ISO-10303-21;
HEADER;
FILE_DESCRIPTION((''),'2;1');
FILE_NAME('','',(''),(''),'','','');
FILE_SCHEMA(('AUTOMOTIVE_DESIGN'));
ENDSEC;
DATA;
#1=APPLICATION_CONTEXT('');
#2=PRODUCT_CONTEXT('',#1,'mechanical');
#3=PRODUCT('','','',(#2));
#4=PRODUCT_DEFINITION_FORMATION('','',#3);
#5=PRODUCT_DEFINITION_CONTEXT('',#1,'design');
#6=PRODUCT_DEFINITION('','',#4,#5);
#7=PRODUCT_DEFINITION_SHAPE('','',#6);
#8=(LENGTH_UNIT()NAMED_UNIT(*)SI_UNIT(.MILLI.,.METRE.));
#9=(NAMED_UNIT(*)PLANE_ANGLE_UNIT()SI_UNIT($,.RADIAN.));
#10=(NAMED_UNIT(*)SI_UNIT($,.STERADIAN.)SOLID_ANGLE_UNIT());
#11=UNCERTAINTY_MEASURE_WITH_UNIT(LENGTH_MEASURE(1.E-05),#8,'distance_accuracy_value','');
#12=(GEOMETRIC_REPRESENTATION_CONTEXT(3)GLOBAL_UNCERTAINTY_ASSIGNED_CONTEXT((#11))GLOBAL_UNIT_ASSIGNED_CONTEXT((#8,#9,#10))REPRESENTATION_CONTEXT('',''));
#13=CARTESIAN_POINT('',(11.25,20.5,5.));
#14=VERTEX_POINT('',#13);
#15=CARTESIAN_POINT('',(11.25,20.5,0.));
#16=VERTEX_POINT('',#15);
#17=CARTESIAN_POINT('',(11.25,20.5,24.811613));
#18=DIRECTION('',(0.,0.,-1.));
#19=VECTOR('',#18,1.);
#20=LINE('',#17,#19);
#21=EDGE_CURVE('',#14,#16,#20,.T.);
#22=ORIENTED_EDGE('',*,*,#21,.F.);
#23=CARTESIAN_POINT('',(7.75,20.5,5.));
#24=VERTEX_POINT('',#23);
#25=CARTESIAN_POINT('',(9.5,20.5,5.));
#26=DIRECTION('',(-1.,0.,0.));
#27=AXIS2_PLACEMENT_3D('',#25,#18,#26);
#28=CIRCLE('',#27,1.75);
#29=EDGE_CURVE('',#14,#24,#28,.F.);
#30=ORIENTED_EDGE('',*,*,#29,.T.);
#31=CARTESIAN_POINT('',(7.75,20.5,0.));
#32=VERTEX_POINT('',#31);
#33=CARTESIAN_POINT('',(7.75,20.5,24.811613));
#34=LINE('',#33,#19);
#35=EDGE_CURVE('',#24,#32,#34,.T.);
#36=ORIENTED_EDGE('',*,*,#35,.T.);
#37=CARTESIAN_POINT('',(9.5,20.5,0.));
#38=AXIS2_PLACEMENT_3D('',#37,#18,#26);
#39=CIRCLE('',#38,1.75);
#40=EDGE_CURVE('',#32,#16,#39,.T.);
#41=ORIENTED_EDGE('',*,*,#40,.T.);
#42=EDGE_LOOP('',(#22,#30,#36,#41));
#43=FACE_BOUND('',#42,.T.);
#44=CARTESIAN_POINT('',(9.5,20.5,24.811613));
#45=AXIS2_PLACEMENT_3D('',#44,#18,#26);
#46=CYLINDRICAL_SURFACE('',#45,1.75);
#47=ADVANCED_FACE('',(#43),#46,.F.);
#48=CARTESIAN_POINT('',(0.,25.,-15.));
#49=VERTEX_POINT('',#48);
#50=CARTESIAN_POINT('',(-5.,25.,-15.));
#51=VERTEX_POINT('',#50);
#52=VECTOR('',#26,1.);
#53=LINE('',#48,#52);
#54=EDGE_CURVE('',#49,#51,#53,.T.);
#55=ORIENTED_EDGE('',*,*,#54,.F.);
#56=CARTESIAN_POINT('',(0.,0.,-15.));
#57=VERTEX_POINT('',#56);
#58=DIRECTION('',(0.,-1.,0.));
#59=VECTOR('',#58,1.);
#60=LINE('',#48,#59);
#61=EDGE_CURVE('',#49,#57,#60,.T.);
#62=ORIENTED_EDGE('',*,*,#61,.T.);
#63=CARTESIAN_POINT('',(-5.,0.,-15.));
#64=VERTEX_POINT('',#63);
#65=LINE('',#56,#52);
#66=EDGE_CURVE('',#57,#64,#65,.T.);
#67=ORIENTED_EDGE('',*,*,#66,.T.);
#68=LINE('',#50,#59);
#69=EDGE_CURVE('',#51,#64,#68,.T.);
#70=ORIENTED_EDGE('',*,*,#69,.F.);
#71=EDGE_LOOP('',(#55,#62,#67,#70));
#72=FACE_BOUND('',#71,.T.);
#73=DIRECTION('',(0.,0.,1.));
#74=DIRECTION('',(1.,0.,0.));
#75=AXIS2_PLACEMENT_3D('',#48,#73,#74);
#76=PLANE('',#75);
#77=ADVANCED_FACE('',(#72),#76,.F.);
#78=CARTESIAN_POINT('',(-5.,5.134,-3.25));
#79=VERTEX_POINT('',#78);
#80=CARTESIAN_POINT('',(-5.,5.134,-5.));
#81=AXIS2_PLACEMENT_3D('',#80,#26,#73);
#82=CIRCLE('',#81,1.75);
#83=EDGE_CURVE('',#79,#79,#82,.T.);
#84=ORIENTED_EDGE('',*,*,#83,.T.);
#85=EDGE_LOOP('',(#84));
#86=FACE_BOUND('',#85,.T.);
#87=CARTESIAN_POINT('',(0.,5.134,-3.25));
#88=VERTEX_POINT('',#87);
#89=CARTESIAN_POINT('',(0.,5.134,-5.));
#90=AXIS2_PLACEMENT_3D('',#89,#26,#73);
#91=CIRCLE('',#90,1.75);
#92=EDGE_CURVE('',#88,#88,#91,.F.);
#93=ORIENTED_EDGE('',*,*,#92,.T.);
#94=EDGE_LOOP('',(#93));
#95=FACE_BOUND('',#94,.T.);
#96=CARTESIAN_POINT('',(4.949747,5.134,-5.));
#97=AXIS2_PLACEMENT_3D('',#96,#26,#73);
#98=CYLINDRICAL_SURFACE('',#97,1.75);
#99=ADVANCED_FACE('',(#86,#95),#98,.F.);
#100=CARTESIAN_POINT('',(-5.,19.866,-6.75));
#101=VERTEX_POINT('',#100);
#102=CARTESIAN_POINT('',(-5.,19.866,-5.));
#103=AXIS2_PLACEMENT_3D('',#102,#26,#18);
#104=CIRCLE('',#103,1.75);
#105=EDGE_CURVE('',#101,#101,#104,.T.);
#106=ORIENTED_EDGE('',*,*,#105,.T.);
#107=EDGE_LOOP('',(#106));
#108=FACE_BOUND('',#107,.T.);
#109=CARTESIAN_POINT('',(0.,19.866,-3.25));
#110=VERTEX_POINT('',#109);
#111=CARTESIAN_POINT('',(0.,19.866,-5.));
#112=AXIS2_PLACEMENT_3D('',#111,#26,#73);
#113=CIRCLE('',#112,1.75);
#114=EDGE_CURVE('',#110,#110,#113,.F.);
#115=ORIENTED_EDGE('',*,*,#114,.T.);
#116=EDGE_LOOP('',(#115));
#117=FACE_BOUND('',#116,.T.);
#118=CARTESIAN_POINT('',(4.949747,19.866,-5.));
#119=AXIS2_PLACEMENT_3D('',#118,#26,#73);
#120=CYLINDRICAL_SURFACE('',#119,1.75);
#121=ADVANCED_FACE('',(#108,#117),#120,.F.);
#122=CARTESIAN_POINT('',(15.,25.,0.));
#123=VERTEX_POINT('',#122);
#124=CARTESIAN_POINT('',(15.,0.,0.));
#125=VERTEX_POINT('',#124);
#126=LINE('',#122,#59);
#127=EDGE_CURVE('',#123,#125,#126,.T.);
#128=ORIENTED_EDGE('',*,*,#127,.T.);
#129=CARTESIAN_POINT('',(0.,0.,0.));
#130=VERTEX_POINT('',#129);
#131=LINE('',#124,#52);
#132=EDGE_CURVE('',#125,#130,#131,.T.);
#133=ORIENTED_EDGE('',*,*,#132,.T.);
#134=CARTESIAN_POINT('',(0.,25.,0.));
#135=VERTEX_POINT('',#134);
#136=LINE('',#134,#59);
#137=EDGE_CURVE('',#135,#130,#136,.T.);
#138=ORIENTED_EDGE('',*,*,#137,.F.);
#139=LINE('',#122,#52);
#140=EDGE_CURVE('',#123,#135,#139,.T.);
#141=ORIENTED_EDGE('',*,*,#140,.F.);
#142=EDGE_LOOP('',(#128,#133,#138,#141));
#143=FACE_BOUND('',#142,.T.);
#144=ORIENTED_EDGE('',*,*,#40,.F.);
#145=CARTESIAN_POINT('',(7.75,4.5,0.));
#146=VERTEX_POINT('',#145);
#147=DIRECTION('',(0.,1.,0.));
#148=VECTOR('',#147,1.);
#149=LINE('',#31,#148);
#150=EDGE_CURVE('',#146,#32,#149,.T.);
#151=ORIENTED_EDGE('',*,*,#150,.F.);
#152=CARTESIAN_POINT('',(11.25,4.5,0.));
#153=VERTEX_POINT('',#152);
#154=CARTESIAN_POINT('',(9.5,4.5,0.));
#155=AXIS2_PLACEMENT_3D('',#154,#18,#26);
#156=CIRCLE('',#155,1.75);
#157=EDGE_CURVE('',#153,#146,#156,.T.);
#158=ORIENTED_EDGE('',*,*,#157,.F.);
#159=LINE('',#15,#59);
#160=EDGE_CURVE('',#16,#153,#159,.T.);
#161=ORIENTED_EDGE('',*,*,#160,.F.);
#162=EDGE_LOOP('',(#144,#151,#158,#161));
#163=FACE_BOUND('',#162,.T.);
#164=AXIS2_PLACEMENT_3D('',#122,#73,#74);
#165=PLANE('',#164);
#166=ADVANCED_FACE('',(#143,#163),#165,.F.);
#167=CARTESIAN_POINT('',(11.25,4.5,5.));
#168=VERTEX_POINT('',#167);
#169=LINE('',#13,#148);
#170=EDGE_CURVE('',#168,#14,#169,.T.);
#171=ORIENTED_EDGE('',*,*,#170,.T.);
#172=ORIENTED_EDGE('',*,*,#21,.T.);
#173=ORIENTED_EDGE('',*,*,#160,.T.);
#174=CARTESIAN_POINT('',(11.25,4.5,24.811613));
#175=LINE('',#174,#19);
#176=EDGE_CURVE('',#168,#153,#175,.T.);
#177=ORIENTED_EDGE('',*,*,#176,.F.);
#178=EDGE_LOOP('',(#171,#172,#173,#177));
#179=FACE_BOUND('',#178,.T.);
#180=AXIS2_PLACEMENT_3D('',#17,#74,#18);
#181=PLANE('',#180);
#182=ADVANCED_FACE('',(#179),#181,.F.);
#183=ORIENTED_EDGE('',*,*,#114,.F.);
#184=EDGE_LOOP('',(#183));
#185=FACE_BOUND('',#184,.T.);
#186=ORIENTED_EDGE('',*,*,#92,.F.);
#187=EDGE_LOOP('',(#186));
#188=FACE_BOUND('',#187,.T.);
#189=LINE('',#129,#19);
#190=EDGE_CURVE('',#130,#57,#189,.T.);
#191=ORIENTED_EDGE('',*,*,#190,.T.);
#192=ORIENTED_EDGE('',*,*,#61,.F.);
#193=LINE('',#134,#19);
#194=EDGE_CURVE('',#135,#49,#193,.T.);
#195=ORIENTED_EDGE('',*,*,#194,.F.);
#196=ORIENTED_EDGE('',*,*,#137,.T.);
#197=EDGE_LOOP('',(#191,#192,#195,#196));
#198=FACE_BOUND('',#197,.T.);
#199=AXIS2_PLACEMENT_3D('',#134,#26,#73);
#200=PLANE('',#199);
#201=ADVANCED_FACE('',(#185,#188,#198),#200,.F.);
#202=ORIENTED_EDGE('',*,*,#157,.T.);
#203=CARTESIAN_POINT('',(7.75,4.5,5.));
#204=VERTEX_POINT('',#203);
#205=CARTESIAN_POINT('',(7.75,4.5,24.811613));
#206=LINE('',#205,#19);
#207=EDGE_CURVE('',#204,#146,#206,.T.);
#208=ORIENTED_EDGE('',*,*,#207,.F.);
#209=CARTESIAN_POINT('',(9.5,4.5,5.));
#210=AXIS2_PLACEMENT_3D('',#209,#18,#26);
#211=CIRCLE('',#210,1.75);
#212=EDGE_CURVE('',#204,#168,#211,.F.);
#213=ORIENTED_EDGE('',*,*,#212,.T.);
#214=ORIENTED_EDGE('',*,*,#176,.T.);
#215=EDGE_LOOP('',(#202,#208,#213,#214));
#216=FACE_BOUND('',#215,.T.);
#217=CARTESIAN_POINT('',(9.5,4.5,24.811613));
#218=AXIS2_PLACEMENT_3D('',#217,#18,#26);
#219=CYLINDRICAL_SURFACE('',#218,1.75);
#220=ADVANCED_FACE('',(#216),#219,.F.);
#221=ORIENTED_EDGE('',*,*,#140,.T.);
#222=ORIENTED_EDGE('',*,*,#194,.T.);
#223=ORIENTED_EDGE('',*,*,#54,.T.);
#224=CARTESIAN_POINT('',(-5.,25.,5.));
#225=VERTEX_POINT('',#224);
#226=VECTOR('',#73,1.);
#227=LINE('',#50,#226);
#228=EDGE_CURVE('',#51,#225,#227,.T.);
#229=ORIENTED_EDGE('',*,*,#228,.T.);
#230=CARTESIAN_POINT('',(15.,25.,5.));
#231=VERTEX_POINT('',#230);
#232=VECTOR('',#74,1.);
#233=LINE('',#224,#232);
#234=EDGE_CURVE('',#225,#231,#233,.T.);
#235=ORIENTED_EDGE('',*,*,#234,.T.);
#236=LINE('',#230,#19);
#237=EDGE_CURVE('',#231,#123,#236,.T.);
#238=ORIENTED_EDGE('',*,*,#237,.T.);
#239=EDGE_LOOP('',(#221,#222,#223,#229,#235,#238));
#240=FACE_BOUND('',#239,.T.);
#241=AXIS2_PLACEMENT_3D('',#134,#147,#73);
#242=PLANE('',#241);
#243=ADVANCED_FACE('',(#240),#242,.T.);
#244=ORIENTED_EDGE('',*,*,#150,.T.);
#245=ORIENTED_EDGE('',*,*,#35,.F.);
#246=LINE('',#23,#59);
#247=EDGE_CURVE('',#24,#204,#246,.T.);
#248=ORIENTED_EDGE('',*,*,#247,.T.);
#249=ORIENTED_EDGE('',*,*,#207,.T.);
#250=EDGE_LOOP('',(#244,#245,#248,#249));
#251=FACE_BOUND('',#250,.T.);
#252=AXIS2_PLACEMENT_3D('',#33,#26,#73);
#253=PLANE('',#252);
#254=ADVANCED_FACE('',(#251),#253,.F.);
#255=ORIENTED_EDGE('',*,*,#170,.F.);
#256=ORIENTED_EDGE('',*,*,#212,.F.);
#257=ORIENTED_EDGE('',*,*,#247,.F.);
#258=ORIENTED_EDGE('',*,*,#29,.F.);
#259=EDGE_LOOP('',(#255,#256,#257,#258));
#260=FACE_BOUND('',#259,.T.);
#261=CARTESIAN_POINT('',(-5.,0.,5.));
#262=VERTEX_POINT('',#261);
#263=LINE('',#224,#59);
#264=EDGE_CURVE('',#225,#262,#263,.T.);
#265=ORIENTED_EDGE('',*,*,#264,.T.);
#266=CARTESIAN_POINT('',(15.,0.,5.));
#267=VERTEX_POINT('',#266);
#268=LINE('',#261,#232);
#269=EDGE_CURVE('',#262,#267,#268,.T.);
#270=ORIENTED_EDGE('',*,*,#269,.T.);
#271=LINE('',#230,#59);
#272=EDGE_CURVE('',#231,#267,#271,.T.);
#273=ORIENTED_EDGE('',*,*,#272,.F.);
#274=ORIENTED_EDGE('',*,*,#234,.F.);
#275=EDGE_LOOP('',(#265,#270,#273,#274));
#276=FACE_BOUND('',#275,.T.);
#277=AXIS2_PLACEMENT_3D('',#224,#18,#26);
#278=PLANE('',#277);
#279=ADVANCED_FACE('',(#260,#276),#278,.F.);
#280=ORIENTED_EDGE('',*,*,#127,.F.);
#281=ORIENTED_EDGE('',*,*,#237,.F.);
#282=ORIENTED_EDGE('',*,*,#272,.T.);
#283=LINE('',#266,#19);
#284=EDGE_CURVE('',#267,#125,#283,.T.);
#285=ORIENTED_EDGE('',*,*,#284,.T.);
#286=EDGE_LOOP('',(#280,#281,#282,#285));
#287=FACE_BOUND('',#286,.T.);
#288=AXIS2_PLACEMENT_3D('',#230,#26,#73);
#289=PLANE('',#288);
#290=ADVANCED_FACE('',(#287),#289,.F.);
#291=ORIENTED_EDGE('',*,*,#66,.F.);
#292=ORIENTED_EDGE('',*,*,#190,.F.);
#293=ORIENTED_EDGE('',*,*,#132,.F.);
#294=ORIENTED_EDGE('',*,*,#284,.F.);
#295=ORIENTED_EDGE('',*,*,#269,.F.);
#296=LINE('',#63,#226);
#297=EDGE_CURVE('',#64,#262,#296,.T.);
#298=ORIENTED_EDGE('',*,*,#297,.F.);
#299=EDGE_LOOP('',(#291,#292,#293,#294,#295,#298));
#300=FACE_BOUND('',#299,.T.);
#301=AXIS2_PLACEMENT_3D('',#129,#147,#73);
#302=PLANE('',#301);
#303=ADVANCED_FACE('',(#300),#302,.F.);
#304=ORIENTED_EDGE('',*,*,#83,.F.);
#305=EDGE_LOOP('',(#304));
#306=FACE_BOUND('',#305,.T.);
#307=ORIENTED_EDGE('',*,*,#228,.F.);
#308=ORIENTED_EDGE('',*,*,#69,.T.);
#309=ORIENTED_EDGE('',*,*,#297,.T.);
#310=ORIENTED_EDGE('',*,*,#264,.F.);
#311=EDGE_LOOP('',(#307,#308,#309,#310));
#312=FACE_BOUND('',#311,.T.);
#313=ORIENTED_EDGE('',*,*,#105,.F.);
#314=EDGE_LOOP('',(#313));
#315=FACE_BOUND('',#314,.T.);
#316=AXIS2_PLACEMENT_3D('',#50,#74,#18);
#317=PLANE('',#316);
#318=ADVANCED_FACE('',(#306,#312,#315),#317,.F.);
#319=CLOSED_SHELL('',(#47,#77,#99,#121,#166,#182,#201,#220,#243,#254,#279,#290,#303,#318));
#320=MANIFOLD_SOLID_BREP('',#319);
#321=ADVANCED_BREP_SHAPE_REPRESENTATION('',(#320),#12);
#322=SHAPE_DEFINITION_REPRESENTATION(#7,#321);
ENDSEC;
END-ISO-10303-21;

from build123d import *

# Parameters (mm, degrees)
BOSS_EXTRUDE1_DEPTH = 25
CUT_EXTRUDE1_DEPTH  = 5
SKETCH3_R           = 1.75
CUT_EXTRUDE2_DEPTH  = 5


with BuildPart() as part:
    # Sketch1 → Boss-Extrude1 (new body)
    with BuildSketch(Plane(origin=(0, 0, 0), x_dir=(1, 0, 0), z_dir=(0, 1, 0))):
        Polygon((-5, 15), (-5, -5), (15, -5), (15, 0), (0, 0), (0, 15), align=None)
    extrude(amount=BOSS_EXTRUDE1_DEPTH)

    # Sketch2 → Cut-Extrude1 (cut)
    with BuildSketch(Plane(origin=(0, 0, 0), x_dir=(-1, 0, 0), z_dir=(0, 0, -1))):
        with BuildLine():
            Line((-7.75, 20.5), (-7.75, 4.5))
            ThreePointArc((-7.75, 4.5), (-9.5, 2.75), (-11.25, 4.5))
            Line((-11.25, 4.5), (-11.25, 20.5))
            ThreePointArc((-11.25, 20.5), (-9.5, 22.25), (-7.75, 20.5))
        make_face()
    extrude(amount=-CUT_EXTRUDE1_DEPTH, mode=Mode.SUBTRACT)

    # Sketch3 → Cut-Extrude2 (cut)
    with BuildSketch(Plane.ZY.offset(5)):
        with Locations((-5, 5.134)):
            Circle(SKETCH3_R)
        with Locations((-5, 19.866)):
            Circle(SKETCH3_R)
    extrude(amount=-CUT_EXTRUDE2_DEPTH, mode=Mode.SUBTRACT)


solid = part.part
